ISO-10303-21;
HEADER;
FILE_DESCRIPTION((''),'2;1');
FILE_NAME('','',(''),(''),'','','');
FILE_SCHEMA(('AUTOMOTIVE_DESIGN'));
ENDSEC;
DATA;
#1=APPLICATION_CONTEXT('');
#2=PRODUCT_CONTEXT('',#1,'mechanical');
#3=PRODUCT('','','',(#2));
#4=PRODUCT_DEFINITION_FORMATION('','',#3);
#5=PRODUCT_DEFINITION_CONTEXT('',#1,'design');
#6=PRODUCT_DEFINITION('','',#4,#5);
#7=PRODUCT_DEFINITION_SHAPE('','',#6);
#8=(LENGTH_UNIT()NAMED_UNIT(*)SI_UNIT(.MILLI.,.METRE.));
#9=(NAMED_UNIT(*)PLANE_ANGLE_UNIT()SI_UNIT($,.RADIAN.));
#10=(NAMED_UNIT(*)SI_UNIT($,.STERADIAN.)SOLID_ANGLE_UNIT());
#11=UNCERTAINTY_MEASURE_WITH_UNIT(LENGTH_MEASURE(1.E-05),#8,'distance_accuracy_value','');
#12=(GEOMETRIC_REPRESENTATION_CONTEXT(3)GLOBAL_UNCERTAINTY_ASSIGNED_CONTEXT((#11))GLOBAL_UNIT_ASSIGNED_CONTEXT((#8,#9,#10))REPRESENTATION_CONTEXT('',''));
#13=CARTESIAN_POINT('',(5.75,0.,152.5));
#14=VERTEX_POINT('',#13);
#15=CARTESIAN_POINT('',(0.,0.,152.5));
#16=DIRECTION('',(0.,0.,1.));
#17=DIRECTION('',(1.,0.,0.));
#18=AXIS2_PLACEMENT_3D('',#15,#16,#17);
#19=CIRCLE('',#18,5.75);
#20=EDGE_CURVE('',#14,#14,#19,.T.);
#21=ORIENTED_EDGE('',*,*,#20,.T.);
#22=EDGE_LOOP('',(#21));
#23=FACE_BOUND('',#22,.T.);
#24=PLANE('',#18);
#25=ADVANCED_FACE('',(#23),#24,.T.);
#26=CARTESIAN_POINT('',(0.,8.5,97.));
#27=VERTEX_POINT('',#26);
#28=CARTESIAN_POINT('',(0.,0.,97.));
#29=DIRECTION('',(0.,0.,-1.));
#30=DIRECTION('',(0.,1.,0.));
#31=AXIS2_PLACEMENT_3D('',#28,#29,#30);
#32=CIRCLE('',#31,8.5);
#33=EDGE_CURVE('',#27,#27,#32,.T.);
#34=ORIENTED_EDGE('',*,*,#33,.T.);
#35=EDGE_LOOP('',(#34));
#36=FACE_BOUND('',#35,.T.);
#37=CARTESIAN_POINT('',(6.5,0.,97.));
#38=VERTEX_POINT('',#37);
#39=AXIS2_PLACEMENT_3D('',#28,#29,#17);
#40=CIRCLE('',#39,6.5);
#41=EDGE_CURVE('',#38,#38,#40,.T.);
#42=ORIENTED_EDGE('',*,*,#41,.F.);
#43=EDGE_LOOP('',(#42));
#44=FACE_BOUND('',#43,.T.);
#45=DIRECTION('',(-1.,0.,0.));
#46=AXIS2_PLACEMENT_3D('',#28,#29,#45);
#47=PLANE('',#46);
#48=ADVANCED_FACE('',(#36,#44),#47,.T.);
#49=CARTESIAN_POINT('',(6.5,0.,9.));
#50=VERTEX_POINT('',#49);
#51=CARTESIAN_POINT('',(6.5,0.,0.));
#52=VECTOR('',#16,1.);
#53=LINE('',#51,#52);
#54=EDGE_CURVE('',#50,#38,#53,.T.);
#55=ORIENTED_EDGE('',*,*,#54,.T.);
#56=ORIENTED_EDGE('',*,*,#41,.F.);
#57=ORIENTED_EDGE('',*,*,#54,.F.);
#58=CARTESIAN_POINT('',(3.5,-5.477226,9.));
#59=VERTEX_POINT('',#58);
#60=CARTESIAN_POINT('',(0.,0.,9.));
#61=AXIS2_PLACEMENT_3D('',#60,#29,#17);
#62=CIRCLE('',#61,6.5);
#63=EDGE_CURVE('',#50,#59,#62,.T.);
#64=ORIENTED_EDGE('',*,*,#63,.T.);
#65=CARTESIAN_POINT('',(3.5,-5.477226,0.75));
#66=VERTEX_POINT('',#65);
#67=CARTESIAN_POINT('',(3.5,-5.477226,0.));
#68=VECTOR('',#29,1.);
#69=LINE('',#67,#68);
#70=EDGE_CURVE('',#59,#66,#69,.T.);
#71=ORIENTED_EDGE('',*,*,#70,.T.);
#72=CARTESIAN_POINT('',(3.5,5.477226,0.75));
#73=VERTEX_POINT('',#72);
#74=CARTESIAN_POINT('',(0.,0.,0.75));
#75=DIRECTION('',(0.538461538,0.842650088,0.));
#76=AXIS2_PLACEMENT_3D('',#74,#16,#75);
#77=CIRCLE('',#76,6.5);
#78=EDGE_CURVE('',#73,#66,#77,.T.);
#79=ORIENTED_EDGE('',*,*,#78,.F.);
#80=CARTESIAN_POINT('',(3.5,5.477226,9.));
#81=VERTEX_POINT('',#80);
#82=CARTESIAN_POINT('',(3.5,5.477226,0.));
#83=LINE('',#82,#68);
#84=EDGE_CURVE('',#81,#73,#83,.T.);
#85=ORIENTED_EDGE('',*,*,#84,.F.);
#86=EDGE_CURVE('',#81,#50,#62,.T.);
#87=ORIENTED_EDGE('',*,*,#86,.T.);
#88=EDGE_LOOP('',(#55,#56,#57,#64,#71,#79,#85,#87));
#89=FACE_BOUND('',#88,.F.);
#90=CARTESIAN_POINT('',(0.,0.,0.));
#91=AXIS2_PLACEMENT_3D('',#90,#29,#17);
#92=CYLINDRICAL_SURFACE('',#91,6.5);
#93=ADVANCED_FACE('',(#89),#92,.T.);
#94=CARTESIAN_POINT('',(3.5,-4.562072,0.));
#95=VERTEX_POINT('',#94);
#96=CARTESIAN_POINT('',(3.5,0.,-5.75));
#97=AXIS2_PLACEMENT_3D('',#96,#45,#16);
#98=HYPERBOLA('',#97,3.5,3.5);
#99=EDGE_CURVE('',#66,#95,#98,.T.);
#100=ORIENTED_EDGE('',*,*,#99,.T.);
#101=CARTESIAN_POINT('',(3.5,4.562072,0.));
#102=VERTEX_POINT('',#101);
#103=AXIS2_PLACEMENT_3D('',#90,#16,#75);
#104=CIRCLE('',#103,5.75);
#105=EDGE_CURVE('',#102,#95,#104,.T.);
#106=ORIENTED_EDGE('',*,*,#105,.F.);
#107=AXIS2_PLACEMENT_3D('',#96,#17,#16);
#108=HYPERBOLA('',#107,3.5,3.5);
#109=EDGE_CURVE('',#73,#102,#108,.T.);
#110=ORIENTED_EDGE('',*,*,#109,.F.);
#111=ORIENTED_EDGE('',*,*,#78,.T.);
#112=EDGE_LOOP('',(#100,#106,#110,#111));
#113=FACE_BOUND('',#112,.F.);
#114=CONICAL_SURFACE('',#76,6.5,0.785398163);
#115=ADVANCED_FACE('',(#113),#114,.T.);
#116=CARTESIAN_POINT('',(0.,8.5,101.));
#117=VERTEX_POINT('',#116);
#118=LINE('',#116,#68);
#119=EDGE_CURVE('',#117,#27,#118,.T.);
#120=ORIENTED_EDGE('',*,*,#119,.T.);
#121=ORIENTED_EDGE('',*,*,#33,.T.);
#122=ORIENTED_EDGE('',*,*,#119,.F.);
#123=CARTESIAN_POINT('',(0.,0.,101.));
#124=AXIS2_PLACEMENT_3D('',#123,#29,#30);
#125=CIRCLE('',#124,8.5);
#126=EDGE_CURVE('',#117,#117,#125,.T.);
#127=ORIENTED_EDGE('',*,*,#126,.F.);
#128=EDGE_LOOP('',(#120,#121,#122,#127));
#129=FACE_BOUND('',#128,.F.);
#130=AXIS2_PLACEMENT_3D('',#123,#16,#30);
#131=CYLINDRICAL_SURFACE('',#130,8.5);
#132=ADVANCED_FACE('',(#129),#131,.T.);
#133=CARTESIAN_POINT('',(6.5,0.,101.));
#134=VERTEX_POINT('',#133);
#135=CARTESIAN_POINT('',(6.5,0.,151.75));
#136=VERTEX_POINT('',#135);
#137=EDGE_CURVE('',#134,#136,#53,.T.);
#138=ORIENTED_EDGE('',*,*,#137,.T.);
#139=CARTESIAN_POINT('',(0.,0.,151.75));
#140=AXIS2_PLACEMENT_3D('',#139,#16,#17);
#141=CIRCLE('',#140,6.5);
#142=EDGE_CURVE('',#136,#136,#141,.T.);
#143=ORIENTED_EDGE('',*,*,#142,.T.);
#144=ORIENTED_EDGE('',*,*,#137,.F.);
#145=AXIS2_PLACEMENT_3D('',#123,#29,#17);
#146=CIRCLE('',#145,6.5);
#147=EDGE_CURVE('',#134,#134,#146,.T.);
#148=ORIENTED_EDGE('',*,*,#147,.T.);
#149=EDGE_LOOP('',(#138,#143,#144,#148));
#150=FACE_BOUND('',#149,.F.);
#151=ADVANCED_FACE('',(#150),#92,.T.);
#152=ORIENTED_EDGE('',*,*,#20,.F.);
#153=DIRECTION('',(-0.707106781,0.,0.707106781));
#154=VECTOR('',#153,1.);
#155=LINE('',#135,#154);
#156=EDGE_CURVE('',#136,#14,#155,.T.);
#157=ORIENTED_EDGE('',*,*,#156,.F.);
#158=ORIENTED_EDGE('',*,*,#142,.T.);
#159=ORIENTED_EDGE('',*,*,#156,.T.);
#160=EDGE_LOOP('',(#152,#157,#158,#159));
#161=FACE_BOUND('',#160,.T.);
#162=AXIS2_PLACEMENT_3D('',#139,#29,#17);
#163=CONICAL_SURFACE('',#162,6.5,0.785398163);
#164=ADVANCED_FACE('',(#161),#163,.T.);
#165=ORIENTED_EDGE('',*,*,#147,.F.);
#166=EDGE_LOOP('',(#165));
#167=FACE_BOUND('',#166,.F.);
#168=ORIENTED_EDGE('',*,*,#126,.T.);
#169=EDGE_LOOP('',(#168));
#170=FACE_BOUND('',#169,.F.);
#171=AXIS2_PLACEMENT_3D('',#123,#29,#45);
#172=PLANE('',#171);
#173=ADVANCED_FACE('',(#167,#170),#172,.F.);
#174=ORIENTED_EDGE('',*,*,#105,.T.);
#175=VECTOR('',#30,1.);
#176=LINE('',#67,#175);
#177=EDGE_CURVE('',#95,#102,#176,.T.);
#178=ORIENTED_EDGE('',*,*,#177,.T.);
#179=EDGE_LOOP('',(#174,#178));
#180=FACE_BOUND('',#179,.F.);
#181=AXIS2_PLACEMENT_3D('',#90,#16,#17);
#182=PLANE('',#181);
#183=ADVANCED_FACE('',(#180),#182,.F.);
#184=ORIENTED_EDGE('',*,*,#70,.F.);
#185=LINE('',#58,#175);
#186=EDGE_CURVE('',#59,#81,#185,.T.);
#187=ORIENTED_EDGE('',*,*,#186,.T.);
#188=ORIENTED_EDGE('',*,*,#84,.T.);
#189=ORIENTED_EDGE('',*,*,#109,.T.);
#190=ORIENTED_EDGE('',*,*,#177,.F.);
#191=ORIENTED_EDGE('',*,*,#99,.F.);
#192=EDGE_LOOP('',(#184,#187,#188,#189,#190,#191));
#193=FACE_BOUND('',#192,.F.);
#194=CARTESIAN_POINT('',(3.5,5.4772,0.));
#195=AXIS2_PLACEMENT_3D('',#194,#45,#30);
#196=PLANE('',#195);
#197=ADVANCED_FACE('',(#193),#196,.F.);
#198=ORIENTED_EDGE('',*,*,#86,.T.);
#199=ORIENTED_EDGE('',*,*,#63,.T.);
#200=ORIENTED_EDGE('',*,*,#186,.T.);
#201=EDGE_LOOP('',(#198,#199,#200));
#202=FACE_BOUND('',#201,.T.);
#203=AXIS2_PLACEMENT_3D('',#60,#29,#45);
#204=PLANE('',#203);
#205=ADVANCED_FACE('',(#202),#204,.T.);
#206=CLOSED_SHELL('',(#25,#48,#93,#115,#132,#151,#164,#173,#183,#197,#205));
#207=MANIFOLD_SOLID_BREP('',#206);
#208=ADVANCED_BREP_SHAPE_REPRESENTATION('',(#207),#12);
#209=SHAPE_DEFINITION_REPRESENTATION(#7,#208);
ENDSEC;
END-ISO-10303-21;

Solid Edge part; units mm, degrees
sketch "Sketch1" plane through (0, 0, 0) normal (0, 0, 1) x (1, 0, 0)
  circle A0 centre (0, 0) radius 6.5
  dimension "D1" = 13
extrude "Protrusion1" add sketch "Sketch1" along normal blind 152.5
sketch "Sketch2" plane through (0, 0, 0) normal (0, 0, -1) x (1, 0, 0)
  line L0 (3.5, 5.4772) -> (3.5, -5.4772)
  dimension "D1" = 3.5
extrude "ExtrudedCutout_1" cut sketch "Sketch2" against normal blind 9 material side at (3.55, 0, 0)
chamfer "Chamfer_1" distance 0.75 angle 45 2 edges at (-6.5, 0, 0) (-6.5, 0, 152.5)
sketch "Sketch3" plane through (5, 0, 101) normal (0, 0, -1) x (0, 1, 0)
  circle A0 centre (0, -5) radius 8.5
  dimension "D1" = 17
extrude "ExtrudedProtrusion_2" add sketch "Sketch3" along normal blind 4
properties part number "SV-101" material "STEEL, 4140"
